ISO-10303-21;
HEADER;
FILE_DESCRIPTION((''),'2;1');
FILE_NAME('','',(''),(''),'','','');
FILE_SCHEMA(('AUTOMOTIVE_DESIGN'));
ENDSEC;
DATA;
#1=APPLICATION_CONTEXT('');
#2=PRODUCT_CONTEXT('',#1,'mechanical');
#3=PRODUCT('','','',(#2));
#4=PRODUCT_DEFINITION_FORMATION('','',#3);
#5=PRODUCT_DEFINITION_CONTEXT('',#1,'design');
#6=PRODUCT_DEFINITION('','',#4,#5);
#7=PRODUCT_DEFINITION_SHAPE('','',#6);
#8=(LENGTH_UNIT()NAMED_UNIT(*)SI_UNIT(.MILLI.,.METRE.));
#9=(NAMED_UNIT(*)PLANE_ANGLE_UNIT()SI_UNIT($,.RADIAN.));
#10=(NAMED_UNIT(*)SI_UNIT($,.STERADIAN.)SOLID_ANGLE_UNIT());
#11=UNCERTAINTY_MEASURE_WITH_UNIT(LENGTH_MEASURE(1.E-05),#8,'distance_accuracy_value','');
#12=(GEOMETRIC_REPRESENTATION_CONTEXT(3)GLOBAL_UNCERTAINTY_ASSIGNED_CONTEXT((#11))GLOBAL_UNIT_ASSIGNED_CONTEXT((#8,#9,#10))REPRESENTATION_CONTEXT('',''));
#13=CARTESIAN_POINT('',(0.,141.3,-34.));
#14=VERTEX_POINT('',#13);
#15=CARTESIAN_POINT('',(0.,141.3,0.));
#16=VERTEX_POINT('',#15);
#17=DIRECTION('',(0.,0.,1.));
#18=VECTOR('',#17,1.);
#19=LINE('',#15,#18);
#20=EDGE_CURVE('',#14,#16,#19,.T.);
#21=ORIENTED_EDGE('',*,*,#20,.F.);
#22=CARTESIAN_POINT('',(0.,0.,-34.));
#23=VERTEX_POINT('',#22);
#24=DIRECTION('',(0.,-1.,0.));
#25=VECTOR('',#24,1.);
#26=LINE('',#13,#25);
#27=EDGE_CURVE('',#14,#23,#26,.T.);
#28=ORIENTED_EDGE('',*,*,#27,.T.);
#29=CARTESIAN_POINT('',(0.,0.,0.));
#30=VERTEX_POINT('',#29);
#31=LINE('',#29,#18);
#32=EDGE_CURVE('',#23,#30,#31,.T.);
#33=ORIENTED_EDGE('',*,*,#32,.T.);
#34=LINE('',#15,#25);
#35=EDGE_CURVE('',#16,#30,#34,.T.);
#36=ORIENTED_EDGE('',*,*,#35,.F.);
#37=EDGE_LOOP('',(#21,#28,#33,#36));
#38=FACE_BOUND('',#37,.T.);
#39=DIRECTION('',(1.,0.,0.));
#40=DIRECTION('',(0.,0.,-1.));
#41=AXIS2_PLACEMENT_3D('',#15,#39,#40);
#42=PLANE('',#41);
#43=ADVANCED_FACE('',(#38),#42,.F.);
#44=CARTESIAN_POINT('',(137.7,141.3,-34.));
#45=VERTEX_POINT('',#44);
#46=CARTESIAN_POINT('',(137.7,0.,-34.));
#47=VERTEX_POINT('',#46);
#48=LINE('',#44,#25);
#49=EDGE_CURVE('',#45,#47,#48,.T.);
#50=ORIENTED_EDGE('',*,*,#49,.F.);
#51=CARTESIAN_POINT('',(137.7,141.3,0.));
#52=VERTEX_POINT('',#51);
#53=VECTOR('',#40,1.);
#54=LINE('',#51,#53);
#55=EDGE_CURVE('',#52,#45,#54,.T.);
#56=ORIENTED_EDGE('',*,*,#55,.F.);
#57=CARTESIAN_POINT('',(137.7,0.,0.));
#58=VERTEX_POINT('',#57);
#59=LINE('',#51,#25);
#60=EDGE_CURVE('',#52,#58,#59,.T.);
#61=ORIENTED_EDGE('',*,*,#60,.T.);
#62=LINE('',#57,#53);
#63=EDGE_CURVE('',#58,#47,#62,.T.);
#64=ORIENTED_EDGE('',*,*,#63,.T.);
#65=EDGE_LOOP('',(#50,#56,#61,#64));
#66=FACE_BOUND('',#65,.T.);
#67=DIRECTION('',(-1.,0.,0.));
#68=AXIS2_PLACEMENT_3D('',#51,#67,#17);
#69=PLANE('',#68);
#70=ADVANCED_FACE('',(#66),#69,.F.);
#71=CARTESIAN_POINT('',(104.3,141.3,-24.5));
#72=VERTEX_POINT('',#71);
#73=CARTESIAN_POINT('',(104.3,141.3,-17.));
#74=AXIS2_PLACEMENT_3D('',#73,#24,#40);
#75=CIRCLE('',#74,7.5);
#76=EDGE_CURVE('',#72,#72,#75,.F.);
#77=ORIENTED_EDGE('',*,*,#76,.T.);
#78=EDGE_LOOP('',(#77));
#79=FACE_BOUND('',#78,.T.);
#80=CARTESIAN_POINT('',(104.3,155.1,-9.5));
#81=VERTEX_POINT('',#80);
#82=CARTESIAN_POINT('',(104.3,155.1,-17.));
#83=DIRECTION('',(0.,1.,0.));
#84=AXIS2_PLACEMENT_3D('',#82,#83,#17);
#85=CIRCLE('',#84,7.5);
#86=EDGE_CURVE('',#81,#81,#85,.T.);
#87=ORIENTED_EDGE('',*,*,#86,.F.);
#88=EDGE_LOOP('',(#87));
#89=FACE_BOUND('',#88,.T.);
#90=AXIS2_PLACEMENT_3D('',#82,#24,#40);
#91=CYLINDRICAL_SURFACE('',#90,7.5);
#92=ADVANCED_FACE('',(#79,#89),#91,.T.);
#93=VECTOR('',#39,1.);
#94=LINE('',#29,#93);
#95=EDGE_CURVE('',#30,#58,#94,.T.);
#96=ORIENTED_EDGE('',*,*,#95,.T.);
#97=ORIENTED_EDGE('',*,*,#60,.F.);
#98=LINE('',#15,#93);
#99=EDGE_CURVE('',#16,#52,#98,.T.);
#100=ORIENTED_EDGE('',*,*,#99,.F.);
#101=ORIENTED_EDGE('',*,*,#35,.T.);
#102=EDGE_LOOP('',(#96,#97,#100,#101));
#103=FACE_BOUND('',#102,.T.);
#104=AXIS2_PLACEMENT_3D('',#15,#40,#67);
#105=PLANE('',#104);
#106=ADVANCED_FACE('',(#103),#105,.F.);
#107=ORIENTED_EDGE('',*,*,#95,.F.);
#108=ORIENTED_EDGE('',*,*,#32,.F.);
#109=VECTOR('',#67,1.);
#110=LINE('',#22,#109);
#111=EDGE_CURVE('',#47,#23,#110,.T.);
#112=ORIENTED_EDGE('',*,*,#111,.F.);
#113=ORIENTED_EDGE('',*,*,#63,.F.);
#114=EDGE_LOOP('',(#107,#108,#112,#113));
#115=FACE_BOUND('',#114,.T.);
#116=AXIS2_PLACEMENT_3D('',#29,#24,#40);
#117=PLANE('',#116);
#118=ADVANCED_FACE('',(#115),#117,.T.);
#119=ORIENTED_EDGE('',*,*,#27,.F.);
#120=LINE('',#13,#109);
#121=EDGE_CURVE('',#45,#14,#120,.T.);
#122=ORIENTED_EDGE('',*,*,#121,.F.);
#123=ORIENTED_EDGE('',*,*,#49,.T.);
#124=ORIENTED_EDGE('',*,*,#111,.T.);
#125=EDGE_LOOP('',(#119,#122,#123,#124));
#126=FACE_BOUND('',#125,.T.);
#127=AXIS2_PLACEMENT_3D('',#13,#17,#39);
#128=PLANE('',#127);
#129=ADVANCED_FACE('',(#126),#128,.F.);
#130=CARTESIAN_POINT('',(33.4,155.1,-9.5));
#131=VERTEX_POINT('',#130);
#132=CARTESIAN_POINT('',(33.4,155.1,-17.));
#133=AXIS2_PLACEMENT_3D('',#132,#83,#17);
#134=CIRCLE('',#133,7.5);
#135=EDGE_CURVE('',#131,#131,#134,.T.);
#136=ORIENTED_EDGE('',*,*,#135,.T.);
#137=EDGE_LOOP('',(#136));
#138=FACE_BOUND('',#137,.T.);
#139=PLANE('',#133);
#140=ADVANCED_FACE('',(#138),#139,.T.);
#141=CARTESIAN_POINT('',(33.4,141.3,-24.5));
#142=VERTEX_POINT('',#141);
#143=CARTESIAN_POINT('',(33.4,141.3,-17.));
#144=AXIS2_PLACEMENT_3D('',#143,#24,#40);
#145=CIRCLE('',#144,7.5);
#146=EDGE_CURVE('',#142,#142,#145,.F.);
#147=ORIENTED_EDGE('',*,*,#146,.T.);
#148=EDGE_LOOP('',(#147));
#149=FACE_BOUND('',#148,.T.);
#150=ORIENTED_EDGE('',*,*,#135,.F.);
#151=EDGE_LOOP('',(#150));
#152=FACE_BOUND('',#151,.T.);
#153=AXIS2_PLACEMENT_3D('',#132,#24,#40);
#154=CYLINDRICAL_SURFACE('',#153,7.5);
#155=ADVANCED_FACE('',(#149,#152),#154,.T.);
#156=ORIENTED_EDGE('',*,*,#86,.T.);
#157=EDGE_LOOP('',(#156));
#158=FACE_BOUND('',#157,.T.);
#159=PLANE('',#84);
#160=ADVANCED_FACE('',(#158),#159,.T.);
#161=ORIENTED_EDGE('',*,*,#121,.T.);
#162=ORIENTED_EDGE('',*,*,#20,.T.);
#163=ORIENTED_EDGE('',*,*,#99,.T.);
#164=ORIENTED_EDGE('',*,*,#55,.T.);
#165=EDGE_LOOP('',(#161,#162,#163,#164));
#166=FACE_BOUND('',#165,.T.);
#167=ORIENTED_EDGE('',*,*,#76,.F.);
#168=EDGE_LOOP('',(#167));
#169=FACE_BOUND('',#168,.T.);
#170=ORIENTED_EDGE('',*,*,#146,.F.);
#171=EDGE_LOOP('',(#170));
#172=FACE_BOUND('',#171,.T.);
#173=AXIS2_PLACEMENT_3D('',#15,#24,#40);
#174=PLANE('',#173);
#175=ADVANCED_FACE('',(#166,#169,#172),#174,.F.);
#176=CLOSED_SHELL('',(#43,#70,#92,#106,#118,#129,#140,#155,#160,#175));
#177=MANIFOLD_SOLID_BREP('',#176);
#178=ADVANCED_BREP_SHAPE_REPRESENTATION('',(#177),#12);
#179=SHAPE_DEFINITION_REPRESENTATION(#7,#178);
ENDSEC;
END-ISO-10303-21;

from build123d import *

# Parameters (mm, degrees)
SKETCH1_W           = 137.7
SKETCH1_H           = 34
BOSS_EXTRUDE1_DEPTH = 141.3
SKETCH2_R           = 7.5
BOSS_EXTRUDE2_DEPTH = 13.8


with BuildPart() as part:
    # Sketch1 → Boss-Extrude1 (new body)
    with BuildSketch(Plane(origin=(0, 0, 0), x_dir=(1, 0, 0), z_dir=(0, 1, 0))):
        with Locations((68.85, 17)):
            Rectangle(SKETCH1_W, SKETCH1_H)
    extrude(amount=BOSS_EXTRUDE1_DEPTH)

    # Sketch2 → Boss-Extrude2 (add)
    with BuildSketch(Plane(origin=(0, 141.3, 0), x_dir=(1, 0, 0), z_dir=(0, 1, 0))):
        with Locations((33.4, 17)):
            Circle(SKETCH2_R)
        with Locations((104.3, 17)):
            Circle(SKETCH2_R)
    extrude(amount=BOSS_EXTRUDE2_DEPTH)


solid = part.part
